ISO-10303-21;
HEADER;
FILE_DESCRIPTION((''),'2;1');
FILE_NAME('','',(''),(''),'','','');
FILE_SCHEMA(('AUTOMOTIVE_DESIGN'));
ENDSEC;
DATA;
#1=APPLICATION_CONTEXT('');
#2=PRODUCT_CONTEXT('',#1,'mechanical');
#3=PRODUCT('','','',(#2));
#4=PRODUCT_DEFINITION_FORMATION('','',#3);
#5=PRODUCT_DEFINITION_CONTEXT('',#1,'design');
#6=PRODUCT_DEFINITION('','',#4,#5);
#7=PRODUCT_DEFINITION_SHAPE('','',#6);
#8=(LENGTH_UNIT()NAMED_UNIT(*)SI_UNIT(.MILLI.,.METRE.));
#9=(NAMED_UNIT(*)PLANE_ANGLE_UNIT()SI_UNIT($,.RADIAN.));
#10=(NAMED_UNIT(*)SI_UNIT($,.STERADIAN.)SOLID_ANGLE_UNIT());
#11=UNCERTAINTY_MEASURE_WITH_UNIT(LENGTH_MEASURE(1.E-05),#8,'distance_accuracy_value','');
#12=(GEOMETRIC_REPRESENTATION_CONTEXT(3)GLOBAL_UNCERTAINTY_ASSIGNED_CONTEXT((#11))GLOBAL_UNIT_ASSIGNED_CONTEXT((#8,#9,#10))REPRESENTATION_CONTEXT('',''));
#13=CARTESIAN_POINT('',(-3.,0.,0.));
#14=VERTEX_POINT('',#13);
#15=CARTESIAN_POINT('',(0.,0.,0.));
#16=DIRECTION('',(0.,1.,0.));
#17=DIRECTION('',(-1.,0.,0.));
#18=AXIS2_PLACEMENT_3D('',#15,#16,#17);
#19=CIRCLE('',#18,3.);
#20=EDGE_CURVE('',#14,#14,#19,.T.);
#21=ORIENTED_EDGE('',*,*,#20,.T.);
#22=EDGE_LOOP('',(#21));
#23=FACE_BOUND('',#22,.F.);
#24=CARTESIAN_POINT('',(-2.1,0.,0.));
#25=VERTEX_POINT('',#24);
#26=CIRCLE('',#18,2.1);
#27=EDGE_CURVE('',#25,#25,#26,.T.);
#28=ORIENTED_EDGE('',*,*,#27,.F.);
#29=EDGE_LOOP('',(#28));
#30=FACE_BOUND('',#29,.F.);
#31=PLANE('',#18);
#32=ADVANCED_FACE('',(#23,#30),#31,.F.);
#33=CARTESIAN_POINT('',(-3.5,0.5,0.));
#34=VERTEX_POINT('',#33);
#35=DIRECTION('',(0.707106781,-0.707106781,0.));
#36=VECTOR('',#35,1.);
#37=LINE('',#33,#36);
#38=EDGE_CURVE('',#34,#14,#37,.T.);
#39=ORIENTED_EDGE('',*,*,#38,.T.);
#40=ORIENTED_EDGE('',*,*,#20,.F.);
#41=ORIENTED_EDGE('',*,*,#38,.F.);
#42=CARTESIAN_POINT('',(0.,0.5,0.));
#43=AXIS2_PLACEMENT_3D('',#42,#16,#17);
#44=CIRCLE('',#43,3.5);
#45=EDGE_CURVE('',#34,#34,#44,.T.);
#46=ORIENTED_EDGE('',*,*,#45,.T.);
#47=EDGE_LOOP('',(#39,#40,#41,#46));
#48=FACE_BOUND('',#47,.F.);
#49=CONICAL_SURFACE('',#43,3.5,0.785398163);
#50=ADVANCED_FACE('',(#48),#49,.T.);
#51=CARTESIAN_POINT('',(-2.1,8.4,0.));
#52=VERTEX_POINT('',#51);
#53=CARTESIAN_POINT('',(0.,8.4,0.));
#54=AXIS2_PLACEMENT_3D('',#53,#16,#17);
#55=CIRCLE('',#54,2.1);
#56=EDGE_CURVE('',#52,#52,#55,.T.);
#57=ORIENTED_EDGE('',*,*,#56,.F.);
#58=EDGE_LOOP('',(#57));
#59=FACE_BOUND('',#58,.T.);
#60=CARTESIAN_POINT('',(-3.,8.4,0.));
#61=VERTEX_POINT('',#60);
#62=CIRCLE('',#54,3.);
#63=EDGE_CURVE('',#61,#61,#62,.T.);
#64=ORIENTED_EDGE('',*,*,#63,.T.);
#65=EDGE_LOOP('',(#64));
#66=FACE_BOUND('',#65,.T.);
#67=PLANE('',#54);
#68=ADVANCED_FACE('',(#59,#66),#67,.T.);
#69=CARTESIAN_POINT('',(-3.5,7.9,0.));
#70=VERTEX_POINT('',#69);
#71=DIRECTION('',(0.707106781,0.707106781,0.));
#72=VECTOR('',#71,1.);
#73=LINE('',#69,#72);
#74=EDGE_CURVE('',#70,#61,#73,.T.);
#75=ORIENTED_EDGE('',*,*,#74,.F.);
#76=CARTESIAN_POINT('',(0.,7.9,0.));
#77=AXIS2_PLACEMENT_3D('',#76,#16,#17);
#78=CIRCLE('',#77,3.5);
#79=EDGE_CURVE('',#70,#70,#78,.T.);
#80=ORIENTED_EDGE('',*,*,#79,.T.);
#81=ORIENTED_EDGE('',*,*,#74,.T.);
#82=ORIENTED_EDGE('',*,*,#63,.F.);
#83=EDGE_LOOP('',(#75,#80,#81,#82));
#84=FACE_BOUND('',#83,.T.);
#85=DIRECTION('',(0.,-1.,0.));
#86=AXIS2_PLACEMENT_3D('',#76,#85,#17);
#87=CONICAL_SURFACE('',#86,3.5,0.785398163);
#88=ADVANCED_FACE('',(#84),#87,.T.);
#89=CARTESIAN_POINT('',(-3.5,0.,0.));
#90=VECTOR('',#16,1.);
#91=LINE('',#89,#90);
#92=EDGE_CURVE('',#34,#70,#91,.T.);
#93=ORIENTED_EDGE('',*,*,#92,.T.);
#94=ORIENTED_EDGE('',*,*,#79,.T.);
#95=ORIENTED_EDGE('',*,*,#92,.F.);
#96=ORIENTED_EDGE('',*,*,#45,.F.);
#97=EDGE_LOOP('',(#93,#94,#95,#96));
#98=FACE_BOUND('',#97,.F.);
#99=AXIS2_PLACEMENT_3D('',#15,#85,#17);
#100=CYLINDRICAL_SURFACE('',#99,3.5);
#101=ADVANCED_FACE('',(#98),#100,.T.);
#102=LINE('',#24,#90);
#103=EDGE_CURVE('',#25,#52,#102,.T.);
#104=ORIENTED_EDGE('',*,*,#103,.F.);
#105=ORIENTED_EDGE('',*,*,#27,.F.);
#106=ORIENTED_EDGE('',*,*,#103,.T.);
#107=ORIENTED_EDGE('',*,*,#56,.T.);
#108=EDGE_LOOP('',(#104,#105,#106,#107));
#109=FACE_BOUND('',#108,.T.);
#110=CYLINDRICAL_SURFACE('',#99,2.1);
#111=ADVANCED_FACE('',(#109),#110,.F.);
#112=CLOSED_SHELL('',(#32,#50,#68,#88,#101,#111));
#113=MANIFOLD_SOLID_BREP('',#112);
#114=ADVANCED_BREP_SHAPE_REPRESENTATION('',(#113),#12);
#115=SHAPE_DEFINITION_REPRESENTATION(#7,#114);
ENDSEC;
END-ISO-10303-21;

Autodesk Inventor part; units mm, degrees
ref_plane "YZ Plane" through (0, 0, 0) normal (1, 0, 0) x (0, 1, 0)
ref_plane "XZ Plane" through (0, 0, 0) normal (0, 1, 0) x (-1, 0, 0)
ref_plane "XY Plane" through (0, 0, 0) normal (0, 0, 1) x (1, 0, 0)
sketch "Sketch1" plane through (0, 0, 0) normal (0, 1, 0) x (-1, 0, 0)
  circle A0 centre (0, 0) radius 2.1
  circle A1 centre (0, 0) radius 3.5
  dimension "d0" = 4.2
  dimension "d2" = 7
extrude "Extrusion1" add sketch "Sketch1" along normal blind 8.4
chamfer "Chamfer1" distance 0.5 angle 45 2 edges at (3.5, 8.4, 0) (3.5, 0, 0)
properties part number "RollerBearingShaft"
